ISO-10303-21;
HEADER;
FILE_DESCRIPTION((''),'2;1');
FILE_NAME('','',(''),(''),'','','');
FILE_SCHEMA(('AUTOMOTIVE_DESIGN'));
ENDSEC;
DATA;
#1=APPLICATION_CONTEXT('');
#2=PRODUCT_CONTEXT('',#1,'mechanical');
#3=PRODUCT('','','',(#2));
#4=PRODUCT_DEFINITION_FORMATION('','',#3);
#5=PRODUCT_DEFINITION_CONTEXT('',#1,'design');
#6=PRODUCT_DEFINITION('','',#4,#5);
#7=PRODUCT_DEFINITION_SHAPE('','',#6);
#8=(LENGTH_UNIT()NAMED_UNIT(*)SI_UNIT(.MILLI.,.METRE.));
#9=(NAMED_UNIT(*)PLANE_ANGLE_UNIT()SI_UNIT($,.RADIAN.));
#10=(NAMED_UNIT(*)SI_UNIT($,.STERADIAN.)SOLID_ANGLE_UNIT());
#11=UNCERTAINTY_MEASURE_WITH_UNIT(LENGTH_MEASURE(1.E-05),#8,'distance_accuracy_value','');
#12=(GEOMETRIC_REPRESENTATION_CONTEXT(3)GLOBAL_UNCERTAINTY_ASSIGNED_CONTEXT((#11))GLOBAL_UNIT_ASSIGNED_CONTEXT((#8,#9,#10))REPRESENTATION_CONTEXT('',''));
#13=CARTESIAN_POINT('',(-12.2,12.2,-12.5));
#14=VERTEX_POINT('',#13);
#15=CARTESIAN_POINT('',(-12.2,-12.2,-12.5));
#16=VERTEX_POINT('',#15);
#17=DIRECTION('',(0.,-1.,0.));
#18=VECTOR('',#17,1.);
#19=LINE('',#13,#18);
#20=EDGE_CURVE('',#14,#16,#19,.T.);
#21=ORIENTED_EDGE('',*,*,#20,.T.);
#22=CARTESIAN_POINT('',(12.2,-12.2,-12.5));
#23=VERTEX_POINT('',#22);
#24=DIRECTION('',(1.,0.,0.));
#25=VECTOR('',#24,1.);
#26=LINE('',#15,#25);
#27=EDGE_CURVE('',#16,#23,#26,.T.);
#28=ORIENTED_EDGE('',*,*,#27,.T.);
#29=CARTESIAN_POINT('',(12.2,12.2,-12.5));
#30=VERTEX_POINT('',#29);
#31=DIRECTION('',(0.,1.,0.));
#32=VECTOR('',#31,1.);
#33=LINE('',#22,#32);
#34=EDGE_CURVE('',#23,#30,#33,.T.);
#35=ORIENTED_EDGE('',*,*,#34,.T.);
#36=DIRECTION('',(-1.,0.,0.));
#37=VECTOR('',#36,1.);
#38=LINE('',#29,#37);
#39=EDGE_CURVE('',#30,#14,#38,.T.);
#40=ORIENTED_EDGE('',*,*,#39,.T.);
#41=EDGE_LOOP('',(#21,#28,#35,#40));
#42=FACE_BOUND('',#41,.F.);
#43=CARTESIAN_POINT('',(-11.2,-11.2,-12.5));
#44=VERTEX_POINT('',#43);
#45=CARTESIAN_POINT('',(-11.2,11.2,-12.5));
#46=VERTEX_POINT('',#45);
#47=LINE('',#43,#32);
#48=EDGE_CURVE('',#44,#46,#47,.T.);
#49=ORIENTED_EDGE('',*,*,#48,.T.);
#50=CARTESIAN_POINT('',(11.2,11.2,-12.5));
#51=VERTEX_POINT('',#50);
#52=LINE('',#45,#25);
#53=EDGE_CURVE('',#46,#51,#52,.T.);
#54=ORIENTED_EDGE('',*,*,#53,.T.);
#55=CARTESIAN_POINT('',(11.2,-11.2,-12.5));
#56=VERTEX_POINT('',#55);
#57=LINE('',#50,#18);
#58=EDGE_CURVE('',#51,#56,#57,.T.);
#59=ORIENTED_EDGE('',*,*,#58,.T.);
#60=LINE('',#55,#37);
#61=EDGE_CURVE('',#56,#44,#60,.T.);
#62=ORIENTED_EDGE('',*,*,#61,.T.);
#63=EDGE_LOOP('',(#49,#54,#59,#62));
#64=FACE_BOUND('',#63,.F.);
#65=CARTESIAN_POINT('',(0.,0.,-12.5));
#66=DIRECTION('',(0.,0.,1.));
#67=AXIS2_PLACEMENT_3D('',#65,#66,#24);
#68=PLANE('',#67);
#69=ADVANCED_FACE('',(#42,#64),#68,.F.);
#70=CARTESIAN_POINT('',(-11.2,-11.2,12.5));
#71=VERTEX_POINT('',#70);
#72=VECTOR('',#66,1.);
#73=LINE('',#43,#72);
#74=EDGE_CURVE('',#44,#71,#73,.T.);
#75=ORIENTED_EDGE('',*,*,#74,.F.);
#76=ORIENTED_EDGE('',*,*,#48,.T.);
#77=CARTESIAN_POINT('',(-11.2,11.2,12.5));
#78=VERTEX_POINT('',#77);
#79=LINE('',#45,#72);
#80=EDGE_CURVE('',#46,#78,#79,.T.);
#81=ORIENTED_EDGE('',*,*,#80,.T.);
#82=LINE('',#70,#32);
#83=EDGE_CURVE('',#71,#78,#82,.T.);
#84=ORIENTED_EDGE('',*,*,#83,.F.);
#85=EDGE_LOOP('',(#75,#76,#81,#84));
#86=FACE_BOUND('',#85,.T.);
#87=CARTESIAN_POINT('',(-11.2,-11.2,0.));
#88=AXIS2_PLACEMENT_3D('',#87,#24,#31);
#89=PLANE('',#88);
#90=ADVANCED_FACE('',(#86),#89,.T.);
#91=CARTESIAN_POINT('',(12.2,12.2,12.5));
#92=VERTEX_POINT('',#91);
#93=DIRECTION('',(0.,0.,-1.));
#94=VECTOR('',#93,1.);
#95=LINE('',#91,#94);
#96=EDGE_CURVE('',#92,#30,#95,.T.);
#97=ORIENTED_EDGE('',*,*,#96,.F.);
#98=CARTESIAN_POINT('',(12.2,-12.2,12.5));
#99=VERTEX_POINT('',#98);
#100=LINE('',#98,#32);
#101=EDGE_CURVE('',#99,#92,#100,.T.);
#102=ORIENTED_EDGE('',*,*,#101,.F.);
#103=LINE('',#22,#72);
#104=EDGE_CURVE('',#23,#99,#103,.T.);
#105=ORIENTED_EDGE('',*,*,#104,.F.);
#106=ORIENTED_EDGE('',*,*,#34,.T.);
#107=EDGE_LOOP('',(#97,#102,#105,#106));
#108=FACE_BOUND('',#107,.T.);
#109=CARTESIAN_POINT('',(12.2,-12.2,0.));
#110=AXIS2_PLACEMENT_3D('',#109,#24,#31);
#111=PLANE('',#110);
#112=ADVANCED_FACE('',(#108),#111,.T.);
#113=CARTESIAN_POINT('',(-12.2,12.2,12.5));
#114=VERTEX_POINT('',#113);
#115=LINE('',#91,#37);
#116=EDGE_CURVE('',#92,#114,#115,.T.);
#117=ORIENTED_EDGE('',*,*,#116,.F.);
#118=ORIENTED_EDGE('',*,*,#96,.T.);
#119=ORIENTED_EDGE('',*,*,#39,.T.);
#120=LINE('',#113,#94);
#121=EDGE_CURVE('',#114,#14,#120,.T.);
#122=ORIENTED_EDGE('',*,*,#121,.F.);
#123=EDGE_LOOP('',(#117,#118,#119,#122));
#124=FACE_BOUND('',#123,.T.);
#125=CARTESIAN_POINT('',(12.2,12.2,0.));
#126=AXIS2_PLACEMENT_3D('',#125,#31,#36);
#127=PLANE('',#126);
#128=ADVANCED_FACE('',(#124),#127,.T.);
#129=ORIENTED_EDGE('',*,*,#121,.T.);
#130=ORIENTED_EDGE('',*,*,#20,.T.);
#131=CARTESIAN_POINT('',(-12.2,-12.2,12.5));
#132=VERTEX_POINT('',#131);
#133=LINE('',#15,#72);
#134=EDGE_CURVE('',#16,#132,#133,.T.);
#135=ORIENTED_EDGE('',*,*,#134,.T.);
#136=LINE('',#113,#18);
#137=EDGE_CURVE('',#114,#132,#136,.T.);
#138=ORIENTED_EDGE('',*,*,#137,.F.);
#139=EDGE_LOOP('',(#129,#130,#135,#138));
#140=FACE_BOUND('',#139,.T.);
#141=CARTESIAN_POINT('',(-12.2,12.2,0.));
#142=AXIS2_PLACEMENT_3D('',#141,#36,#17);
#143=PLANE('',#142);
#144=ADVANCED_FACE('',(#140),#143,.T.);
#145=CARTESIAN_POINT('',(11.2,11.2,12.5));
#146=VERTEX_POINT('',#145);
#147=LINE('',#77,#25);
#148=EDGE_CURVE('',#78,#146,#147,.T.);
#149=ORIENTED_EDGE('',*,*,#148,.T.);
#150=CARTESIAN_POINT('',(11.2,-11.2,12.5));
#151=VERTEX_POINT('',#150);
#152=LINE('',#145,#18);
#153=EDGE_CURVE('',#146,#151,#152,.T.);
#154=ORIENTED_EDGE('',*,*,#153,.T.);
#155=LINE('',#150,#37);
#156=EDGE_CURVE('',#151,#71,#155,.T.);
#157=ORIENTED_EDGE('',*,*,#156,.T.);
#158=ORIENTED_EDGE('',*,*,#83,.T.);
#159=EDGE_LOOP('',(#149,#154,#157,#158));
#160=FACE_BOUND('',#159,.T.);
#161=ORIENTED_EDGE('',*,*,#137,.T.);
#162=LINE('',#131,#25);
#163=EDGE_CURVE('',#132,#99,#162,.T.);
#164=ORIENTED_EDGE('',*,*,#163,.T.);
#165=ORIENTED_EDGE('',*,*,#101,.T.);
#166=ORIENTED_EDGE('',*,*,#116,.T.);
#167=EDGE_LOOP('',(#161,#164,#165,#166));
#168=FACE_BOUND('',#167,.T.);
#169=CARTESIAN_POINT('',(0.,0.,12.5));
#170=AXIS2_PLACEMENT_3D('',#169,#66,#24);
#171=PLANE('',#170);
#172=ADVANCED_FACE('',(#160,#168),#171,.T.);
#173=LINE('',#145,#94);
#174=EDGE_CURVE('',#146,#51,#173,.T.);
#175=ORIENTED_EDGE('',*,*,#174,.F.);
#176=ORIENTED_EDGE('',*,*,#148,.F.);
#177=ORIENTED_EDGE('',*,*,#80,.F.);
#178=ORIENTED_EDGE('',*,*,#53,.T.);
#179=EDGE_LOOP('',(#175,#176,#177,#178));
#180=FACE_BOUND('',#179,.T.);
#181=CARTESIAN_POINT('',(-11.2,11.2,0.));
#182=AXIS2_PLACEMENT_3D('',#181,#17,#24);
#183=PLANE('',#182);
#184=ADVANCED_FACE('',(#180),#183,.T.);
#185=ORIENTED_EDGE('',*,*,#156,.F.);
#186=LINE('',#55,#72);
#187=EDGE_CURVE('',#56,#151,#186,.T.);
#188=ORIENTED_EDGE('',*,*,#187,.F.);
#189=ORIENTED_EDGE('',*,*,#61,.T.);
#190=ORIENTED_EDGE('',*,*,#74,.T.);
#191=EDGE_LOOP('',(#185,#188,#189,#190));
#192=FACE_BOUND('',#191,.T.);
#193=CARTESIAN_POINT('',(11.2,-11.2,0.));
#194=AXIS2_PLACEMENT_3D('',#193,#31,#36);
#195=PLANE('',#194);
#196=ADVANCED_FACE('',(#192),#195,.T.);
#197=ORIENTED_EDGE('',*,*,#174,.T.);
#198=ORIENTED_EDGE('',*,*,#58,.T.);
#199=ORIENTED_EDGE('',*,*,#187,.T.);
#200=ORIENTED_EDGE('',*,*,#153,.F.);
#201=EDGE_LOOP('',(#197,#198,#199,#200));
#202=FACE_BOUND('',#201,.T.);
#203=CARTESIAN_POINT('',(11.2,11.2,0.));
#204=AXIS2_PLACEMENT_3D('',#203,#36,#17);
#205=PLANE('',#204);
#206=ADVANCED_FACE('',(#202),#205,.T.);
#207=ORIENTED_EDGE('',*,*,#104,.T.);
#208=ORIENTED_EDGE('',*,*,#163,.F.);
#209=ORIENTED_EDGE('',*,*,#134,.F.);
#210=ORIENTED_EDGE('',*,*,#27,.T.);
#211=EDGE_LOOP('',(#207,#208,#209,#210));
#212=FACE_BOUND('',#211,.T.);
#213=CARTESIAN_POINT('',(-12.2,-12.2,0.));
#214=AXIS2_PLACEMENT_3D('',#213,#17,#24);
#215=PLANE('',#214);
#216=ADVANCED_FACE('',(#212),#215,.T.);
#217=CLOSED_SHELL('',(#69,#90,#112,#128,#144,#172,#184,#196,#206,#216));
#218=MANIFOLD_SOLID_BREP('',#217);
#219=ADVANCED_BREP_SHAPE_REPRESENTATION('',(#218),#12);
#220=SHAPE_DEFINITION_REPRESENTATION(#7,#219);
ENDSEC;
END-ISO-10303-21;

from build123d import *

# Parameters (mm, degrees)
F1_DEPTH = 12.5


with BuildPart() as f1:
    # F0 (on Top) → F1 (new body, symmetric)
    with BuildSketch(Plane.XY):
        Polygon((0.01, 12.2), (-12.2, 12.2), (-12.2, -12.2), (12.2, -12.2), (12.2, -0.1), (12.2, 12.2), align=None)
        Polygon((11.2, -11.2), (-11.2, -11.2), (-11.2, 11.2), (0, 11.2), (11.2, 11.2), (11.2, 0), align=None, mode=Mode.SUBTRACT)
    extrude(amount=F1_DEPTH, both=True)


solid = f1.part
